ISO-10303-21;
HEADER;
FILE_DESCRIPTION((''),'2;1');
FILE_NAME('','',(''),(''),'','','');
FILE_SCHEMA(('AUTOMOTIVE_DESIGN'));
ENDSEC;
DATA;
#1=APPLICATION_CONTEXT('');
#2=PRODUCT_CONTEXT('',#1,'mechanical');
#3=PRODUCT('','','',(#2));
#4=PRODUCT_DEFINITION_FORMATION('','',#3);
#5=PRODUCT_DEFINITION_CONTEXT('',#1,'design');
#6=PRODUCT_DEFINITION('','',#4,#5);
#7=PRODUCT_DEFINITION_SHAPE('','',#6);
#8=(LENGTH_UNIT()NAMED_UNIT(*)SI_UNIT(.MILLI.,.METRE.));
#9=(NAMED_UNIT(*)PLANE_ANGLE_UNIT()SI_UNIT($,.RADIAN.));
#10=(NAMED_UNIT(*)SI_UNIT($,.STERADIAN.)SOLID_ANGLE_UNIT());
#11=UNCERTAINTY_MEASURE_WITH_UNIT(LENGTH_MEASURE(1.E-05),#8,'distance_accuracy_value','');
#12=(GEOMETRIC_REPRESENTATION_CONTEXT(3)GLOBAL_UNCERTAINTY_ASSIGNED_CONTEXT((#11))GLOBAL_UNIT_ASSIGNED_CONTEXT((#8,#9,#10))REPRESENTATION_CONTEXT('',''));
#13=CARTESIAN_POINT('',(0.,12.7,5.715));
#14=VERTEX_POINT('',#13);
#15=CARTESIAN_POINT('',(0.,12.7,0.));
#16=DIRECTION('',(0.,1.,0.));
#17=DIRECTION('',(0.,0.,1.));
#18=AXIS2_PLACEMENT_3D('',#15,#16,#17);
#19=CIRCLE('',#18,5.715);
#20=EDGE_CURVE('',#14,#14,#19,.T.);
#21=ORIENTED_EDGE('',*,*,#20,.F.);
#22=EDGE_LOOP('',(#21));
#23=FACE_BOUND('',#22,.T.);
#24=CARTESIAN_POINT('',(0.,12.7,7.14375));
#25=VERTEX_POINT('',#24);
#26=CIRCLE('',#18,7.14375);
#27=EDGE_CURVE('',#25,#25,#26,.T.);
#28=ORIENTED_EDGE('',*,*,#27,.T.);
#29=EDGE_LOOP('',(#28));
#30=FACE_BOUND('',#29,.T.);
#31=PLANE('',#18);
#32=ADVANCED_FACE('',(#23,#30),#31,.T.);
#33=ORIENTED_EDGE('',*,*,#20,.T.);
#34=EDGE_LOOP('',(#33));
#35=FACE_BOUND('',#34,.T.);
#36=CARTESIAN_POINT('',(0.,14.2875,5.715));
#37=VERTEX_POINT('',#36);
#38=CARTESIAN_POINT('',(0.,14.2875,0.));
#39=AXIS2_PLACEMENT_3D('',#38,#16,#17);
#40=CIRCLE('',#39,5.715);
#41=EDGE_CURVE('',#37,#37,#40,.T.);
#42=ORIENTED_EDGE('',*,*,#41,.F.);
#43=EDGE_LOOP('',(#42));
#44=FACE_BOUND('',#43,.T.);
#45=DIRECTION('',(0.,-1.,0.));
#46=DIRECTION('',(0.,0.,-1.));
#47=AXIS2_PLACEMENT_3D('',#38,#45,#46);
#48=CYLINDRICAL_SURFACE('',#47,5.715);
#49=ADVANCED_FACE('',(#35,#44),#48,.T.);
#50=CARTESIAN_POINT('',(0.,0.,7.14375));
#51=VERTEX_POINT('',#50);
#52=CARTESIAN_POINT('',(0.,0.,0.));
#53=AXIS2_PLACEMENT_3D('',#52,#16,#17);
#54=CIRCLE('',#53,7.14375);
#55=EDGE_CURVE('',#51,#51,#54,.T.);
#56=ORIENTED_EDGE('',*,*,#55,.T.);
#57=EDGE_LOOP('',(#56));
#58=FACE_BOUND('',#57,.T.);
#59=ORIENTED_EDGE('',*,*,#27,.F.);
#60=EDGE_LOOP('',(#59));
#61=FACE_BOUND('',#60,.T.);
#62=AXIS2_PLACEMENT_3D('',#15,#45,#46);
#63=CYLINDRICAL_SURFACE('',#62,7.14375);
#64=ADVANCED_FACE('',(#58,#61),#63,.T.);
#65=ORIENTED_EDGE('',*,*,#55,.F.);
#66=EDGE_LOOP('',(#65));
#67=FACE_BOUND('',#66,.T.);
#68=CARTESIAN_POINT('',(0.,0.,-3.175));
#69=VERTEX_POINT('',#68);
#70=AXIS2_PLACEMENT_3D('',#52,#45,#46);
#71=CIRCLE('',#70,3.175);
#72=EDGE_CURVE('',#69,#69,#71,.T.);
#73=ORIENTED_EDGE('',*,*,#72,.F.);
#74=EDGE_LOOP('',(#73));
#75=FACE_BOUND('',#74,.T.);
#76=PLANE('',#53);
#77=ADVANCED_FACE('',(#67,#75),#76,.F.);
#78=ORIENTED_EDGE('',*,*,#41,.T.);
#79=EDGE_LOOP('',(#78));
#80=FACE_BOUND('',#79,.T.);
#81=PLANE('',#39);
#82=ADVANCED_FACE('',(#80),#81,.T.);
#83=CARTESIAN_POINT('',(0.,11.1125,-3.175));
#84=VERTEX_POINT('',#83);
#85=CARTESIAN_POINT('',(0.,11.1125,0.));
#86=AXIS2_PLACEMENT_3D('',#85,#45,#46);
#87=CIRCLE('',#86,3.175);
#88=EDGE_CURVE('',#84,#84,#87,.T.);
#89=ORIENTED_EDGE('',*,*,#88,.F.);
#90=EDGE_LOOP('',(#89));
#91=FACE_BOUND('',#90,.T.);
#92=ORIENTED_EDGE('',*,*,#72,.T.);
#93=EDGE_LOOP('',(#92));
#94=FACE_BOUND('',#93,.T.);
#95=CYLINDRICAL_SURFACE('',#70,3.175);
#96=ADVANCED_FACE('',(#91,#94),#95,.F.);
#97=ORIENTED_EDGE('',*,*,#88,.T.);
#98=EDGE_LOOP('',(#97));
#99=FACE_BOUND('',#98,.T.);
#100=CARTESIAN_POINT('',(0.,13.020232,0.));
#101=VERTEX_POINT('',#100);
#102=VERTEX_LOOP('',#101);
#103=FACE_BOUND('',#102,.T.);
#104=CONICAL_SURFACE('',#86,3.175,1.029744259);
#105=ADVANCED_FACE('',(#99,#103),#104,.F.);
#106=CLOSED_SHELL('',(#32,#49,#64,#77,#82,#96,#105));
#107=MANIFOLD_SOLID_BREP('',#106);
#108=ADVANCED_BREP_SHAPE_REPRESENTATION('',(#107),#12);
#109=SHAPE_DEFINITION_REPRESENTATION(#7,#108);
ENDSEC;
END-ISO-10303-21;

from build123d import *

# Parameters (mm, degrees)
SKETCH1_R                       = 7.14375
BOSS_EXTRUDE1_DEPTH             = 12.7
SKETCH3_R                       = 5.715
BOSS_EXTRUDE2_DEPTH             = 1.5875
F_1_4_0_25_DIAMETER_HOLE1_D     = 6.35
F_1_4_0_25_DIAMETER_HOLE1_DEPTH = 11.1125
F_1_4_0_25_DIAMETER_HOLE1_TIP   = 1.907732465


with BuildPart() as part:
    # Sketch1 → Boss-Extrude1 (new body)
    with BuildSketch(Plane(origin=(0, 0, 0), x_dir=(1, 0, 0), z_dir=(0, 1, 0))):
        with Locations(Location((0, 0, 0), (0, 0, 270))):
            Circle(SKETCH1_R)
    extrude(amount=BOSS_EXTRUDE1_DEPTH)

    # Sketch3 → Boss-Extrude2 (add)
    with BuildSketch(Plane(origin=(0, 12.7, 0), x_dir=(1, 0, 0), z_dir=(0, 1, 0))):
        with Locations(Location((0, 0, 0), (0, 0, 270))):
            Circle(SKETCH3_R)
    extrude(amount=BOSS_EXTRUDE2_DEPTH)

    # 1/4 (0.25) Diameter Hole1
    with Locations(Plane(origin=(0, 0, 0), x_dir=(-1, 0, 0), z_dir=(0, -1, 0))):
        with Locations((0, 0)):
            Hole(F_1_4_0_25_DIAMETER_HOLE1_D / 2, depth=F_1_4_0_25_DIAMETER_HOLE1_DEPTH)
            with Locations((0, 0, -(F_1_4_0_25_DIAMETER_HOLE1_DEPTH + F_1_4_0_25_DIAMETER_HOLE1_TIP / 2))):  # 118° drill point
                Cone(0, F_1_4_0_25_DIAMETER_HOLE1_D / 2, F_1_4_0_25_DIAMETER_HOLE1_TIP, mode=Mode.SUBTRACT)


solid = part.part
